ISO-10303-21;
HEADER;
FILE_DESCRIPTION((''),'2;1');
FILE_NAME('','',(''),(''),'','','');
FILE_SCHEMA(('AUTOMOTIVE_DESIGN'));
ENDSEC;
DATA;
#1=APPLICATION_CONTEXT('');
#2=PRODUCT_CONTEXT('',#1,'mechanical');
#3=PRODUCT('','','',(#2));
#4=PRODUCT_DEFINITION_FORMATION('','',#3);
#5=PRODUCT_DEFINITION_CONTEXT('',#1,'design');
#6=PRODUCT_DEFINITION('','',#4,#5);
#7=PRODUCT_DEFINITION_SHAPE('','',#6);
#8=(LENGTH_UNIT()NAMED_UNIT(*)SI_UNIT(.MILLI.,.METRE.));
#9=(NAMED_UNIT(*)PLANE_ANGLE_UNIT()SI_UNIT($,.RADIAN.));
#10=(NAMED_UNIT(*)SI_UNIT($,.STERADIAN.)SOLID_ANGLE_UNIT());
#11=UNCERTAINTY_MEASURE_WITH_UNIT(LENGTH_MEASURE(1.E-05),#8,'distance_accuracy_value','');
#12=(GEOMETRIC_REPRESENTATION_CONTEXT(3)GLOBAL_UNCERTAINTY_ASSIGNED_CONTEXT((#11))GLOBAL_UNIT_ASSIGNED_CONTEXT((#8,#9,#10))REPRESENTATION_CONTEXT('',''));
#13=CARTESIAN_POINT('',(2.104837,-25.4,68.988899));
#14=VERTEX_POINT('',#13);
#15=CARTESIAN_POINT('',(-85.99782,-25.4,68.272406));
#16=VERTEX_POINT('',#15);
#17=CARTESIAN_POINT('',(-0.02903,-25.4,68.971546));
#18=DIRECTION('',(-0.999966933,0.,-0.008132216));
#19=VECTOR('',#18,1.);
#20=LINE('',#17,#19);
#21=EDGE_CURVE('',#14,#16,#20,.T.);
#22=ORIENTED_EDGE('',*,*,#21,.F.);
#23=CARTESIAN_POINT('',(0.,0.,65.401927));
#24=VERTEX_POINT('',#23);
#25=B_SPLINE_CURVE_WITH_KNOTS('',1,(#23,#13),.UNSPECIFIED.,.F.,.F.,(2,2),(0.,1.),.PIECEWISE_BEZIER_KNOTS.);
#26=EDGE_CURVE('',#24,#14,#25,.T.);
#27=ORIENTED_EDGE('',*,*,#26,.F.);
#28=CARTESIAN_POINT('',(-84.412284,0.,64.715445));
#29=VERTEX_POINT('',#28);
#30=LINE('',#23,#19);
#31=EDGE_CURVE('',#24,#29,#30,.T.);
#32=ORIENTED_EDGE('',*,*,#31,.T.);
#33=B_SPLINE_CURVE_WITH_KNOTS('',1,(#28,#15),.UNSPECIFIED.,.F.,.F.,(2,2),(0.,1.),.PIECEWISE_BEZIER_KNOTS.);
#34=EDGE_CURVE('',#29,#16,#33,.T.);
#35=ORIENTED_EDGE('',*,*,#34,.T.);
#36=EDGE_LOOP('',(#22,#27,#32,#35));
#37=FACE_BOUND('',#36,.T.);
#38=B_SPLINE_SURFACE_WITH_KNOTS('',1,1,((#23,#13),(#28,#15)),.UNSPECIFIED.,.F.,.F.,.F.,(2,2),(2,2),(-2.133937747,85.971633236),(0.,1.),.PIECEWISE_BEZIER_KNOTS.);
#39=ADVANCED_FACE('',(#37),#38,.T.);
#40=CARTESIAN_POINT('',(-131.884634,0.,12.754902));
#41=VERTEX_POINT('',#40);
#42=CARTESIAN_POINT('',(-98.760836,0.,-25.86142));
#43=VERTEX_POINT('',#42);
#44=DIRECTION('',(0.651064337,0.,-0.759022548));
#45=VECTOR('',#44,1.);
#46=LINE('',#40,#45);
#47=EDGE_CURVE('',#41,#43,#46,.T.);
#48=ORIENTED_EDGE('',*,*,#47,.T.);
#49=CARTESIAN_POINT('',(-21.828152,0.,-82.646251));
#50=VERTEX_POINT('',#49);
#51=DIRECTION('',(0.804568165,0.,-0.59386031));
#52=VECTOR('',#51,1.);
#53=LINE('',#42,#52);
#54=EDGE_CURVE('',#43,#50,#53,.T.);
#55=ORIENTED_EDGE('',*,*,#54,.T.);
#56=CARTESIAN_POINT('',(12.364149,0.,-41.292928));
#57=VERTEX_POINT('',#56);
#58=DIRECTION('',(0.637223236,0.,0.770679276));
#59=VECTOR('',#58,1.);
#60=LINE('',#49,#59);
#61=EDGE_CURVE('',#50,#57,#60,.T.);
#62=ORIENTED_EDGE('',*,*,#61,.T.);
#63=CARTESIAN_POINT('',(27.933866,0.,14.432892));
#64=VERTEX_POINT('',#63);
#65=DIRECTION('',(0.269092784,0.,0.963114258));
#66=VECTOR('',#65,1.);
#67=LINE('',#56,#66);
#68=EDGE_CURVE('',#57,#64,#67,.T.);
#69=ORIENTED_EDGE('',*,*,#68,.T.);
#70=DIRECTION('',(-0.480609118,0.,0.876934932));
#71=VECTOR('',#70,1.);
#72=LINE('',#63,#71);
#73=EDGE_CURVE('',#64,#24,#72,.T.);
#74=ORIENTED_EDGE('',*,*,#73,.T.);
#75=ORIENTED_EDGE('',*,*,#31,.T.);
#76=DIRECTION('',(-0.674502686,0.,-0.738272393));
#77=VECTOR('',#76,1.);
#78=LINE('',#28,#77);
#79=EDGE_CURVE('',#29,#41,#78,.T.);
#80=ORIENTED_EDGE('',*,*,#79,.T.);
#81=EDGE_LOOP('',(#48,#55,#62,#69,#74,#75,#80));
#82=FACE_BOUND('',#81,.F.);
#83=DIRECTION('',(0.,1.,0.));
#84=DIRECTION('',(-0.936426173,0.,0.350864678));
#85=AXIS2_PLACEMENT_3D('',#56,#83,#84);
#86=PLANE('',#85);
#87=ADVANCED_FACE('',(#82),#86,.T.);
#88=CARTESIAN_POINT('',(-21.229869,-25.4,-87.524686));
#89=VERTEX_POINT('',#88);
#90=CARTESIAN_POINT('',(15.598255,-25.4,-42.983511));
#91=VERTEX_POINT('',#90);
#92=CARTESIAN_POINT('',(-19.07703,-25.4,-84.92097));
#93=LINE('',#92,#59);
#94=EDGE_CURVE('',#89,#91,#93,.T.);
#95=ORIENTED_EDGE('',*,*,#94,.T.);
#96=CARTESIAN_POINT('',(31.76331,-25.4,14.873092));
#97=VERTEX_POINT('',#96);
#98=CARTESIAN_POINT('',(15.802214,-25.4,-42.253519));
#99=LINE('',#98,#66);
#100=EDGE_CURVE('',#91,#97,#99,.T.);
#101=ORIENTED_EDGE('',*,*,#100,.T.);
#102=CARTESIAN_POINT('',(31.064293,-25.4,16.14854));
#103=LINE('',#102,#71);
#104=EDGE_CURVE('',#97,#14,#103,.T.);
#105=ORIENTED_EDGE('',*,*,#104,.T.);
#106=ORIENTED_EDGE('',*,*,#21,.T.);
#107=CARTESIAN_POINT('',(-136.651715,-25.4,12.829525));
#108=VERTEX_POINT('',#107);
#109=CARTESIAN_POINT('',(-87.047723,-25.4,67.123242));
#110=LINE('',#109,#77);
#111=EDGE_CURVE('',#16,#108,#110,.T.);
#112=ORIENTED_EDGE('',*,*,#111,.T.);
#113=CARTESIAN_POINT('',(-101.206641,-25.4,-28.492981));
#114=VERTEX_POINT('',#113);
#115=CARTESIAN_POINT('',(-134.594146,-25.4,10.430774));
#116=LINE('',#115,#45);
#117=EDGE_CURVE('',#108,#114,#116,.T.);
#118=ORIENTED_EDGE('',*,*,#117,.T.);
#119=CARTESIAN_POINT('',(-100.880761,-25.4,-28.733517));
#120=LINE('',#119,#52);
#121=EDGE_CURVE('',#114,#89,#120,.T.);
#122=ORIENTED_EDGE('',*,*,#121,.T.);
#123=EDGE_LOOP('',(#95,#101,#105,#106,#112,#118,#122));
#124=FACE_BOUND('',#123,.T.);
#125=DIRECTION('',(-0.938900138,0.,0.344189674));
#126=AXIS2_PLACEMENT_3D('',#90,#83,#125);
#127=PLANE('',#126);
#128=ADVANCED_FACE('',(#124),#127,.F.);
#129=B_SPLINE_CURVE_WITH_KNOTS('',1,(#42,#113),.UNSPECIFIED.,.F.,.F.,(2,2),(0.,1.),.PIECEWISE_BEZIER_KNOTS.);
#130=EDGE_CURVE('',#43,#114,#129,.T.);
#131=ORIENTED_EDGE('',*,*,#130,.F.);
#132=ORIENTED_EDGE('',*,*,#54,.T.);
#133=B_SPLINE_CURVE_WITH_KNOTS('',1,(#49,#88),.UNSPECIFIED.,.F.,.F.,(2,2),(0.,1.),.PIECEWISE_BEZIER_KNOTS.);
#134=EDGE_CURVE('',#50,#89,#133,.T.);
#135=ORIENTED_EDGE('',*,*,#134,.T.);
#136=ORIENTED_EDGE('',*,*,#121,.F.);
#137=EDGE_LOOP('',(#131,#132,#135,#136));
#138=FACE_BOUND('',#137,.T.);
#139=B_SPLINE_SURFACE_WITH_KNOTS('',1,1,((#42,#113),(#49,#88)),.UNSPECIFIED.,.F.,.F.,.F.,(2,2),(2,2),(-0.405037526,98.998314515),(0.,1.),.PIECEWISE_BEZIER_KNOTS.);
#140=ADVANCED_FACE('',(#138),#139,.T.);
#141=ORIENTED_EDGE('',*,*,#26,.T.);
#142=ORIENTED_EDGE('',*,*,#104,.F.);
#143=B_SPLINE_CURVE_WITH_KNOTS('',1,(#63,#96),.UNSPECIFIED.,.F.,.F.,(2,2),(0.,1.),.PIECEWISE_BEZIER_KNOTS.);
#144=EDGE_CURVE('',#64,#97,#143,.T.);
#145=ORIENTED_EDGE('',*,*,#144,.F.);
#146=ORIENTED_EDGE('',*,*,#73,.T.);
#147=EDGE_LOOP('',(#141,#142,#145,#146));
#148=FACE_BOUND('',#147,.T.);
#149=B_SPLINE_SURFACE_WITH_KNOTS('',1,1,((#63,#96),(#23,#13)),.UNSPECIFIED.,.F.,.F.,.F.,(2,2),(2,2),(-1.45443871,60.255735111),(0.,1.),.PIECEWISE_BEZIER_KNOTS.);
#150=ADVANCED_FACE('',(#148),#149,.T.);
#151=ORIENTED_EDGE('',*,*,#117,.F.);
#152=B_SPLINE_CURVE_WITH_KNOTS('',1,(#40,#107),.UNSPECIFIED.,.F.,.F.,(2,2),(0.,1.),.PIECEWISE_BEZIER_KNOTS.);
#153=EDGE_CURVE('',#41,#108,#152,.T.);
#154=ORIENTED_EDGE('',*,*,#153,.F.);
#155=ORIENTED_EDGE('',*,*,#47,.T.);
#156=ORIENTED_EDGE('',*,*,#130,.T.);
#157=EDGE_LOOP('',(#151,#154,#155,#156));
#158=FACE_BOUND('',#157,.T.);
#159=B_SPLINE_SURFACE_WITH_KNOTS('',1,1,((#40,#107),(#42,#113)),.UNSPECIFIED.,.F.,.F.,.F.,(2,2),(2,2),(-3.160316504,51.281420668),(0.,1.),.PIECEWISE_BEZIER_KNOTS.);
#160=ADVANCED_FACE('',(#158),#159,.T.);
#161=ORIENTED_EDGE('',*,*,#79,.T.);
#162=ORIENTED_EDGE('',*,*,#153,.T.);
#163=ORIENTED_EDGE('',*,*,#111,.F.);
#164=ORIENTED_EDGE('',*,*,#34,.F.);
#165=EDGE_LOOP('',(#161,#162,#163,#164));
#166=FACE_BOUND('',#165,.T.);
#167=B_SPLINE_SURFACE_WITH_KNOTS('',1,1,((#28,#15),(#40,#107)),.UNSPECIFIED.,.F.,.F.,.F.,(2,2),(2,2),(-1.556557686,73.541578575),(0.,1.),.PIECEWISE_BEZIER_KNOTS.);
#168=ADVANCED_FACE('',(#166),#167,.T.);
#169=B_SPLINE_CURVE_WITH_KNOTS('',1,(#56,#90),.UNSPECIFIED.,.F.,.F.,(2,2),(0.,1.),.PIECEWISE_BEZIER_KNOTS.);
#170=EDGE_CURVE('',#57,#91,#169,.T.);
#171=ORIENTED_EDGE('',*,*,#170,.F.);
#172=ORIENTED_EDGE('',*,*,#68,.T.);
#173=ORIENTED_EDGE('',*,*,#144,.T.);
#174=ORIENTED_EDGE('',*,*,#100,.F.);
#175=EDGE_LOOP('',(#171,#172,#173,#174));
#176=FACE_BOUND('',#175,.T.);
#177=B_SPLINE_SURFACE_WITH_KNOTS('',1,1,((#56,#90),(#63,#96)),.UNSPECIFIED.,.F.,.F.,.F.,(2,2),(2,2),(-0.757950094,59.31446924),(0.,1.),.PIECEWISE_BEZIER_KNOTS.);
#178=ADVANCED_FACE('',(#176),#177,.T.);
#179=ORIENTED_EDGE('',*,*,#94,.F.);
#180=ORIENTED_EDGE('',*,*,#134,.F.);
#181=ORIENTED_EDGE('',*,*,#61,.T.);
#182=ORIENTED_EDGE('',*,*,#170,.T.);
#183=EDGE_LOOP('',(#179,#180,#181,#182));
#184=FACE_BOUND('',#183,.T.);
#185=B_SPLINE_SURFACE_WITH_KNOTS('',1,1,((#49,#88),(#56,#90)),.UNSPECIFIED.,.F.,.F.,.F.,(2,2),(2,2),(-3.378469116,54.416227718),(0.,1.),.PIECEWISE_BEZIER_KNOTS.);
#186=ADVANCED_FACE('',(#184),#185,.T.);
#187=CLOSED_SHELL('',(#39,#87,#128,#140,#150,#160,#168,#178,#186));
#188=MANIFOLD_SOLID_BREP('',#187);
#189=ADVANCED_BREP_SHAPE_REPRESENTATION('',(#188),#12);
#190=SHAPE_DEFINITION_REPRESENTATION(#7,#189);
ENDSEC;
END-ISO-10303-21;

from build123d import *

# Parameters (mm, degrees)
F1_DEPTH = 25.4
F1_TAPER = -8


with BuildPart() as f1:
    # F0 (on Front) → F1 (new body)
    with BuildSketch(Plane.XZ):
        Polygon((12.3641490936, -41.2929281592), (27.9338657856, 14.4328922033), (0, 65.4019266367), (-84.4122841954, 64.7154450417), (-131.8846344948, 12.7549022436), (-98.7608358264, -25.8614197373), (-21.8281522393, -82.6462507248), align=None)
    extrude(amount=F1_DEPTH, taper=F1_TAPER)


solid = f1.part
